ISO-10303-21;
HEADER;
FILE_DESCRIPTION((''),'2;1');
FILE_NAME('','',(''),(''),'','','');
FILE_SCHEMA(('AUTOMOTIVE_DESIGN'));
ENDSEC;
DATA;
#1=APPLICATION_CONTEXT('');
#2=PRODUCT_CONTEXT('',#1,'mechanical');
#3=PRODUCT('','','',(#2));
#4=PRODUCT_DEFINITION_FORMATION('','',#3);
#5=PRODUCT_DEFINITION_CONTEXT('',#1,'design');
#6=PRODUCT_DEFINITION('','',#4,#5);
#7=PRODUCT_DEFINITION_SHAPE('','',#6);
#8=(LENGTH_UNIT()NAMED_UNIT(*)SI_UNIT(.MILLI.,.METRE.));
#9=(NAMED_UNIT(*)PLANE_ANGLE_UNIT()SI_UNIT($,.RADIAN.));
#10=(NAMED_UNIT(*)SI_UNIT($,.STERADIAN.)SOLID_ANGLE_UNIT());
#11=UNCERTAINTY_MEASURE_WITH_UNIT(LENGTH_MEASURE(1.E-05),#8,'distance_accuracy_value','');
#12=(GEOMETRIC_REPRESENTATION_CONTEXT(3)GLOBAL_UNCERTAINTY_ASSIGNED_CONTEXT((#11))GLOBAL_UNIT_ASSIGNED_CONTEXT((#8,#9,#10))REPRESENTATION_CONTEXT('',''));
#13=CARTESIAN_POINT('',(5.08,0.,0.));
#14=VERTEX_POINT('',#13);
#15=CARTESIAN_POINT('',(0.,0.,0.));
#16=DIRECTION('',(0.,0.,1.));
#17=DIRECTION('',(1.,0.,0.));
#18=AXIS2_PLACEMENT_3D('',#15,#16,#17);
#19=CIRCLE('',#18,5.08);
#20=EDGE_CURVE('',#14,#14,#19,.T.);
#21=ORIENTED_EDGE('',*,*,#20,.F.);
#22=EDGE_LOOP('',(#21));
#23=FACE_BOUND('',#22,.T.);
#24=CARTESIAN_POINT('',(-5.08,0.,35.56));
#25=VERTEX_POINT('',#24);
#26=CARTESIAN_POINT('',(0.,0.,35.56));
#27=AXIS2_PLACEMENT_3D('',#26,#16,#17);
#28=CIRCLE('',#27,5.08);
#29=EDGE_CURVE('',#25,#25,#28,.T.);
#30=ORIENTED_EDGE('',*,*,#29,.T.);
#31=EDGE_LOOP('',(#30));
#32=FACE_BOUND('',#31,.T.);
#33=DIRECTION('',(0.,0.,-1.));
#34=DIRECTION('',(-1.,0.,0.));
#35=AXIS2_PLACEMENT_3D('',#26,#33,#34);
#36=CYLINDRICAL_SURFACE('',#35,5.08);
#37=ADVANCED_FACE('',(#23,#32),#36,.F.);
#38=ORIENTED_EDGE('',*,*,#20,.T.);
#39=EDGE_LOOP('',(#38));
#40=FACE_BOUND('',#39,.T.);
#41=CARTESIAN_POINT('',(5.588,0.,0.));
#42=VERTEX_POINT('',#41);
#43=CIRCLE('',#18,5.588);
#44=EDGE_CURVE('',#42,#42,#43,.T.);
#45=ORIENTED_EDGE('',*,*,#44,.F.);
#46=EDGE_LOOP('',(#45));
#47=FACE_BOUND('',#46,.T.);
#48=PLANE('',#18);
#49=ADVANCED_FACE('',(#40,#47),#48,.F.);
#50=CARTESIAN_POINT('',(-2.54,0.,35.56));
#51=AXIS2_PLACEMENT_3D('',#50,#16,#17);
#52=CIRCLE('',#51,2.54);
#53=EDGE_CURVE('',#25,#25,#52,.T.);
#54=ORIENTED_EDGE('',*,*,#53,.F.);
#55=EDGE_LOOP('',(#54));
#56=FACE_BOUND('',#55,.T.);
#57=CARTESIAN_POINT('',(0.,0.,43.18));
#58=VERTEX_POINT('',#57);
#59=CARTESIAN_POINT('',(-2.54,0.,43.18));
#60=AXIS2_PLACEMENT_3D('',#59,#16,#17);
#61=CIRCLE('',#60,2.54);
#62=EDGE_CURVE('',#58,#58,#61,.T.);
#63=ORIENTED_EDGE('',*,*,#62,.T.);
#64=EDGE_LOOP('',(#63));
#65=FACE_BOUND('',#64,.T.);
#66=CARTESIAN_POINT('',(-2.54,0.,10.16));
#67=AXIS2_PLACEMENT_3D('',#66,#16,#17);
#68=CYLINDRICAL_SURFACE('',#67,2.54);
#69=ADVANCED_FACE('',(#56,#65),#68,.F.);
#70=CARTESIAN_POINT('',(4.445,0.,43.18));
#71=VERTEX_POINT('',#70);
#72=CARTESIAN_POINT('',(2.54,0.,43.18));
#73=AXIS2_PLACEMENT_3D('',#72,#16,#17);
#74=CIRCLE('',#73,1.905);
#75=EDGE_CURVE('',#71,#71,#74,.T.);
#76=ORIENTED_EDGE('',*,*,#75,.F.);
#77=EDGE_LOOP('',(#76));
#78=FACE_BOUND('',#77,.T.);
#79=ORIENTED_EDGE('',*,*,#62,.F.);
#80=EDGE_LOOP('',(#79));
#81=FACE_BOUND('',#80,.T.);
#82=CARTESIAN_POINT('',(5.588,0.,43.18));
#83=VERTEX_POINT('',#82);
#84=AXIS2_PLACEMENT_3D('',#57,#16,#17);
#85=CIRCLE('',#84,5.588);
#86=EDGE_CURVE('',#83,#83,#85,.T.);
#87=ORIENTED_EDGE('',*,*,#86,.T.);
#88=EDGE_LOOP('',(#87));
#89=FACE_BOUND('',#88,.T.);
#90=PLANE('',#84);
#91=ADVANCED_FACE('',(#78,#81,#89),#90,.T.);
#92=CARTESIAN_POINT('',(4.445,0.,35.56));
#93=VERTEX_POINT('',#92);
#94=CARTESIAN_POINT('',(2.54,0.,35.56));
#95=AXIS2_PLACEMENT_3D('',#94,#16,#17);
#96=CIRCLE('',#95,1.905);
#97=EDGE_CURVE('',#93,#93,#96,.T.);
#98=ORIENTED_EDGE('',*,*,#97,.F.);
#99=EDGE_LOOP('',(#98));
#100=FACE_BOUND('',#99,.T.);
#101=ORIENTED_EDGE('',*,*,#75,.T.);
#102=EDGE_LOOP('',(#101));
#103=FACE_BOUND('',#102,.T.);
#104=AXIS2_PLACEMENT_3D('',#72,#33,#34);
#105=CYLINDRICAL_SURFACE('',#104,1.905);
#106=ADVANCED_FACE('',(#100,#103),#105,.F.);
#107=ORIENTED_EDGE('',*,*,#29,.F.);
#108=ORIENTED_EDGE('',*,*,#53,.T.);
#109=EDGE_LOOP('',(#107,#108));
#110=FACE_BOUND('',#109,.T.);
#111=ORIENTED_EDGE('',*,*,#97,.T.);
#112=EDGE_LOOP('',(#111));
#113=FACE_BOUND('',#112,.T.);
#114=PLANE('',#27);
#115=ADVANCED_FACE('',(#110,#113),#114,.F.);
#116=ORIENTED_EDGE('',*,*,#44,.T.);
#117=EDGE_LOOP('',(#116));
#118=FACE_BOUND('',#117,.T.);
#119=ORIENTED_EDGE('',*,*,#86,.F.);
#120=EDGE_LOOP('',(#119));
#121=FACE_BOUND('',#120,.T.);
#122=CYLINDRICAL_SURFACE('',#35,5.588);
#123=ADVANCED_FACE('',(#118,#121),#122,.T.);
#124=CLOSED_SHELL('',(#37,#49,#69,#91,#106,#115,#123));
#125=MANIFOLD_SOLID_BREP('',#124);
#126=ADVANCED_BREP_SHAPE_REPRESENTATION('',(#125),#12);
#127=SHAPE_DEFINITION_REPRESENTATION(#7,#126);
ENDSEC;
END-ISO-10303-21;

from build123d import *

# Parameters (mm, degrees)
SKETCH1_R           = 5.588
SKETCH1_R_2         = 5.08
BOSS_EXTRUDE1_DEPTH = 35.56
SKETCH2_R           = 5.588
SKETCH2_R_2         = 1.905
BOSS_EXTRUDE2_DEPTH = 7.62
SKETCH3_R           = 2.54
CUT_EXTRUDE1_DEPTH  = 33.02


with BuildPart() as part:
    # Sketch1 → Boss-Extrude1 (new body)
    with BuildSketch(Plane.XY):
        Circle(SKETCH1_R)
        Circle(SKETCH1_R_2, mode=Mode.SUBTRACT)
    extrude(amount=BOSS_EXTRUDE1_DEPTH)

    # Sketch2 → Boss-Extrude2 (add)
    with BuildSketch(Plane.XY.offset(35.56)):
        Circle(SKETCH2_R)
        with Locations((2.54, 0)):
            Circle(SKETCH2_R_2, mode=Mode.SUBTRACT)
    extrude(amount=BOSS_EXTRUDE2_DEPTH)

    # Sketch3 → Cut-Extrude1 (cut)
    with BuildSketch(Plane.XY.offset(43.18)):
        with Locations((-2.54, 0)):
            Circle(SKETCH3_R)
    extrude(amount=-CUT_EXTRUDE1_DEPTH, mode=Mode.SUBTRACT)


solid = part.part
